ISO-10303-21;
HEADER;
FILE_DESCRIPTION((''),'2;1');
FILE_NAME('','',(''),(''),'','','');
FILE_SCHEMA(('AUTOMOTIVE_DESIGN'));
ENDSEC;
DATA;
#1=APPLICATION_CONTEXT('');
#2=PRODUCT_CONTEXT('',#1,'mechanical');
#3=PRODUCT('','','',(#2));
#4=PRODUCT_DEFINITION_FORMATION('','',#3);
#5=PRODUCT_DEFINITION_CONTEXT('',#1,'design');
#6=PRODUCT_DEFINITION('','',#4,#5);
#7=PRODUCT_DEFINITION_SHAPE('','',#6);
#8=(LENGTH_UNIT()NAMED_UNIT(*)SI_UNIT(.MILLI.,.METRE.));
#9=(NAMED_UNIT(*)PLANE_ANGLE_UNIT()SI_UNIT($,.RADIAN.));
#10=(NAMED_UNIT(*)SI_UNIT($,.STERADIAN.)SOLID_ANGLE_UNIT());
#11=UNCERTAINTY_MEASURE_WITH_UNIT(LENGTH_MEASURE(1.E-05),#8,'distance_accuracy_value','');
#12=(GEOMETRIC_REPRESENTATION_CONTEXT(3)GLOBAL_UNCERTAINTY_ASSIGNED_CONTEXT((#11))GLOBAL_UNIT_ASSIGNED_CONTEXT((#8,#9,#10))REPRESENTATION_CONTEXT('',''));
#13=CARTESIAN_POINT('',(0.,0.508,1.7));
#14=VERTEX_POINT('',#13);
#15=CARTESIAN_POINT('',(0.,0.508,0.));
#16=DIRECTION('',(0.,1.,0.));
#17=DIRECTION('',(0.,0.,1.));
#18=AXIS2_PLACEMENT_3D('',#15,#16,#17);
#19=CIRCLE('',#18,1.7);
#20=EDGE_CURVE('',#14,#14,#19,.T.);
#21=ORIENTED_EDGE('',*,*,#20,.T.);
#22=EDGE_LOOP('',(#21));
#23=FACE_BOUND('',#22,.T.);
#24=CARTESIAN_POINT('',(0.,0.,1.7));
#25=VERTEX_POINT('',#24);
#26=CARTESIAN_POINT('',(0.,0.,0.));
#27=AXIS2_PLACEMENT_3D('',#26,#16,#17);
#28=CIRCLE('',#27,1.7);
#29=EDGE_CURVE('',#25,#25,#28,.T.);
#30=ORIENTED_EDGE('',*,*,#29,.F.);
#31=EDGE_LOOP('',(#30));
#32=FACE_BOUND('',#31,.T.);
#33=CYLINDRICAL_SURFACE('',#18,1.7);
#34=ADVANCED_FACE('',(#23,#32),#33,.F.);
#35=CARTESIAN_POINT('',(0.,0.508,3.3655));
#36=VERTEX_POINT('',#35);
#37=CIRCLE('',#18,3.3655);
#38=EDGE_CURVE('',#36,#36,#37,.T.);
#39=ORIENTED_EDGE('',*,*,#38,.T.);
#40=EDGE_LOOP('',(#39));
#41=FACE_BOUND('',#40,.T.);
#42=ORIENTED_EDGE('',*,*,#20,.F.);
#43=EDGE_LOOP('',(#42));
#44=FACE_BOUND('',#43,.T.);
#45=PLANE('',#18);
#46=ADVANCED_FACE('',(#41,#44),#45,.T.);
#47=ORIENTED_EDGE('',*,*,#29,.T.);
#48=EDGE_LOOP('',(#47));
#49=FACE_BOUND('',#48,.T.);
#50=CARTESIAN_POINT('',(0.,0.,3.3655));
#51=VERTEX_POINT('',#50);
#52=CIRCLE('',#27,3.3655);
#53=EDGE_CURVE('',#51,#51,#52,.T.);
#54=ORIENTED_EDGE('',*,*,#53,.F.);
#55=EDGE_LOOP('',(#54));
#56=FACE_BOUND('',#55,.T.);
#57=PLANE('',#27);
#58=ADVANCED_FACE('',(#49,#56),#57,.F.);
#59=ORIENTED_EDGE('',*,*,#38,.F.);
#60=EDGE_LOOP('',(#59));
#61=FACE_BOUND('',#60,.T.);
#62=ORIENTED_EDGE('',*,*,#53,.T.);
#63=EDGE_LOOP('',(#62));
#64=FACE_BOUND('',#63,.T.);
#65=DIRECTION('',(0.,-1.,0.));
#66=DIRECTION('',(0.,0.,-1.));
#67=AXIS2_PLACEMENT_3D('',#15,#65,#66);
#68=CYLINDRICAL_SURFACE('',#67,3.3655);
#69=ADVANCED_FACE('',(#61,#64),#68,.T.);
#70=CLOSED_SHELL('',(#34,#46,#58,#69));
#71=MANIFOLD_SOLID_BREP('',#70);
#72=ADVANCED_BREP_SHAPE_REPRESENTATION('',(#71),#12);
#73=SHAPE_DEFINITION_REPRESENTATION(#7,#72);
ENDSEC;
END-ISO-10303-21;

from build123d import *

# Parameters (mm, degrees)
SKETCH1_R            = 3.3655
BOSS_EXTRUDE1_DEPTH  = 0.508
M3_CLEARANCE_HOLE1_D = 3.4


with BuildPart() as part:
    # Sketch1 → Boss-Extrude1 (new body)
    with BuildSketch(Plane(origin=(0, 0, 0), x_dir=(1, 0, 0), z_dir=(0, 1, 0))):
        with Locations(Location((0, 0, 0), (0, 0, 270))):
            Circle(SKETCH1_R)
    extrude(amount=BOSS_EXTRUDE1_DEPTH)

    # M3 Clearance Hole1 (through all)
    with Locations(Plane(origin=(0, 0.508, 0), x_dir=(1, 0, 0), z_dir=(0, 1, 0))):
        with Locations((0, 0)):
            Hole(M3_CLEARANCE_HOLE1_D / 2)


solid = part.part
